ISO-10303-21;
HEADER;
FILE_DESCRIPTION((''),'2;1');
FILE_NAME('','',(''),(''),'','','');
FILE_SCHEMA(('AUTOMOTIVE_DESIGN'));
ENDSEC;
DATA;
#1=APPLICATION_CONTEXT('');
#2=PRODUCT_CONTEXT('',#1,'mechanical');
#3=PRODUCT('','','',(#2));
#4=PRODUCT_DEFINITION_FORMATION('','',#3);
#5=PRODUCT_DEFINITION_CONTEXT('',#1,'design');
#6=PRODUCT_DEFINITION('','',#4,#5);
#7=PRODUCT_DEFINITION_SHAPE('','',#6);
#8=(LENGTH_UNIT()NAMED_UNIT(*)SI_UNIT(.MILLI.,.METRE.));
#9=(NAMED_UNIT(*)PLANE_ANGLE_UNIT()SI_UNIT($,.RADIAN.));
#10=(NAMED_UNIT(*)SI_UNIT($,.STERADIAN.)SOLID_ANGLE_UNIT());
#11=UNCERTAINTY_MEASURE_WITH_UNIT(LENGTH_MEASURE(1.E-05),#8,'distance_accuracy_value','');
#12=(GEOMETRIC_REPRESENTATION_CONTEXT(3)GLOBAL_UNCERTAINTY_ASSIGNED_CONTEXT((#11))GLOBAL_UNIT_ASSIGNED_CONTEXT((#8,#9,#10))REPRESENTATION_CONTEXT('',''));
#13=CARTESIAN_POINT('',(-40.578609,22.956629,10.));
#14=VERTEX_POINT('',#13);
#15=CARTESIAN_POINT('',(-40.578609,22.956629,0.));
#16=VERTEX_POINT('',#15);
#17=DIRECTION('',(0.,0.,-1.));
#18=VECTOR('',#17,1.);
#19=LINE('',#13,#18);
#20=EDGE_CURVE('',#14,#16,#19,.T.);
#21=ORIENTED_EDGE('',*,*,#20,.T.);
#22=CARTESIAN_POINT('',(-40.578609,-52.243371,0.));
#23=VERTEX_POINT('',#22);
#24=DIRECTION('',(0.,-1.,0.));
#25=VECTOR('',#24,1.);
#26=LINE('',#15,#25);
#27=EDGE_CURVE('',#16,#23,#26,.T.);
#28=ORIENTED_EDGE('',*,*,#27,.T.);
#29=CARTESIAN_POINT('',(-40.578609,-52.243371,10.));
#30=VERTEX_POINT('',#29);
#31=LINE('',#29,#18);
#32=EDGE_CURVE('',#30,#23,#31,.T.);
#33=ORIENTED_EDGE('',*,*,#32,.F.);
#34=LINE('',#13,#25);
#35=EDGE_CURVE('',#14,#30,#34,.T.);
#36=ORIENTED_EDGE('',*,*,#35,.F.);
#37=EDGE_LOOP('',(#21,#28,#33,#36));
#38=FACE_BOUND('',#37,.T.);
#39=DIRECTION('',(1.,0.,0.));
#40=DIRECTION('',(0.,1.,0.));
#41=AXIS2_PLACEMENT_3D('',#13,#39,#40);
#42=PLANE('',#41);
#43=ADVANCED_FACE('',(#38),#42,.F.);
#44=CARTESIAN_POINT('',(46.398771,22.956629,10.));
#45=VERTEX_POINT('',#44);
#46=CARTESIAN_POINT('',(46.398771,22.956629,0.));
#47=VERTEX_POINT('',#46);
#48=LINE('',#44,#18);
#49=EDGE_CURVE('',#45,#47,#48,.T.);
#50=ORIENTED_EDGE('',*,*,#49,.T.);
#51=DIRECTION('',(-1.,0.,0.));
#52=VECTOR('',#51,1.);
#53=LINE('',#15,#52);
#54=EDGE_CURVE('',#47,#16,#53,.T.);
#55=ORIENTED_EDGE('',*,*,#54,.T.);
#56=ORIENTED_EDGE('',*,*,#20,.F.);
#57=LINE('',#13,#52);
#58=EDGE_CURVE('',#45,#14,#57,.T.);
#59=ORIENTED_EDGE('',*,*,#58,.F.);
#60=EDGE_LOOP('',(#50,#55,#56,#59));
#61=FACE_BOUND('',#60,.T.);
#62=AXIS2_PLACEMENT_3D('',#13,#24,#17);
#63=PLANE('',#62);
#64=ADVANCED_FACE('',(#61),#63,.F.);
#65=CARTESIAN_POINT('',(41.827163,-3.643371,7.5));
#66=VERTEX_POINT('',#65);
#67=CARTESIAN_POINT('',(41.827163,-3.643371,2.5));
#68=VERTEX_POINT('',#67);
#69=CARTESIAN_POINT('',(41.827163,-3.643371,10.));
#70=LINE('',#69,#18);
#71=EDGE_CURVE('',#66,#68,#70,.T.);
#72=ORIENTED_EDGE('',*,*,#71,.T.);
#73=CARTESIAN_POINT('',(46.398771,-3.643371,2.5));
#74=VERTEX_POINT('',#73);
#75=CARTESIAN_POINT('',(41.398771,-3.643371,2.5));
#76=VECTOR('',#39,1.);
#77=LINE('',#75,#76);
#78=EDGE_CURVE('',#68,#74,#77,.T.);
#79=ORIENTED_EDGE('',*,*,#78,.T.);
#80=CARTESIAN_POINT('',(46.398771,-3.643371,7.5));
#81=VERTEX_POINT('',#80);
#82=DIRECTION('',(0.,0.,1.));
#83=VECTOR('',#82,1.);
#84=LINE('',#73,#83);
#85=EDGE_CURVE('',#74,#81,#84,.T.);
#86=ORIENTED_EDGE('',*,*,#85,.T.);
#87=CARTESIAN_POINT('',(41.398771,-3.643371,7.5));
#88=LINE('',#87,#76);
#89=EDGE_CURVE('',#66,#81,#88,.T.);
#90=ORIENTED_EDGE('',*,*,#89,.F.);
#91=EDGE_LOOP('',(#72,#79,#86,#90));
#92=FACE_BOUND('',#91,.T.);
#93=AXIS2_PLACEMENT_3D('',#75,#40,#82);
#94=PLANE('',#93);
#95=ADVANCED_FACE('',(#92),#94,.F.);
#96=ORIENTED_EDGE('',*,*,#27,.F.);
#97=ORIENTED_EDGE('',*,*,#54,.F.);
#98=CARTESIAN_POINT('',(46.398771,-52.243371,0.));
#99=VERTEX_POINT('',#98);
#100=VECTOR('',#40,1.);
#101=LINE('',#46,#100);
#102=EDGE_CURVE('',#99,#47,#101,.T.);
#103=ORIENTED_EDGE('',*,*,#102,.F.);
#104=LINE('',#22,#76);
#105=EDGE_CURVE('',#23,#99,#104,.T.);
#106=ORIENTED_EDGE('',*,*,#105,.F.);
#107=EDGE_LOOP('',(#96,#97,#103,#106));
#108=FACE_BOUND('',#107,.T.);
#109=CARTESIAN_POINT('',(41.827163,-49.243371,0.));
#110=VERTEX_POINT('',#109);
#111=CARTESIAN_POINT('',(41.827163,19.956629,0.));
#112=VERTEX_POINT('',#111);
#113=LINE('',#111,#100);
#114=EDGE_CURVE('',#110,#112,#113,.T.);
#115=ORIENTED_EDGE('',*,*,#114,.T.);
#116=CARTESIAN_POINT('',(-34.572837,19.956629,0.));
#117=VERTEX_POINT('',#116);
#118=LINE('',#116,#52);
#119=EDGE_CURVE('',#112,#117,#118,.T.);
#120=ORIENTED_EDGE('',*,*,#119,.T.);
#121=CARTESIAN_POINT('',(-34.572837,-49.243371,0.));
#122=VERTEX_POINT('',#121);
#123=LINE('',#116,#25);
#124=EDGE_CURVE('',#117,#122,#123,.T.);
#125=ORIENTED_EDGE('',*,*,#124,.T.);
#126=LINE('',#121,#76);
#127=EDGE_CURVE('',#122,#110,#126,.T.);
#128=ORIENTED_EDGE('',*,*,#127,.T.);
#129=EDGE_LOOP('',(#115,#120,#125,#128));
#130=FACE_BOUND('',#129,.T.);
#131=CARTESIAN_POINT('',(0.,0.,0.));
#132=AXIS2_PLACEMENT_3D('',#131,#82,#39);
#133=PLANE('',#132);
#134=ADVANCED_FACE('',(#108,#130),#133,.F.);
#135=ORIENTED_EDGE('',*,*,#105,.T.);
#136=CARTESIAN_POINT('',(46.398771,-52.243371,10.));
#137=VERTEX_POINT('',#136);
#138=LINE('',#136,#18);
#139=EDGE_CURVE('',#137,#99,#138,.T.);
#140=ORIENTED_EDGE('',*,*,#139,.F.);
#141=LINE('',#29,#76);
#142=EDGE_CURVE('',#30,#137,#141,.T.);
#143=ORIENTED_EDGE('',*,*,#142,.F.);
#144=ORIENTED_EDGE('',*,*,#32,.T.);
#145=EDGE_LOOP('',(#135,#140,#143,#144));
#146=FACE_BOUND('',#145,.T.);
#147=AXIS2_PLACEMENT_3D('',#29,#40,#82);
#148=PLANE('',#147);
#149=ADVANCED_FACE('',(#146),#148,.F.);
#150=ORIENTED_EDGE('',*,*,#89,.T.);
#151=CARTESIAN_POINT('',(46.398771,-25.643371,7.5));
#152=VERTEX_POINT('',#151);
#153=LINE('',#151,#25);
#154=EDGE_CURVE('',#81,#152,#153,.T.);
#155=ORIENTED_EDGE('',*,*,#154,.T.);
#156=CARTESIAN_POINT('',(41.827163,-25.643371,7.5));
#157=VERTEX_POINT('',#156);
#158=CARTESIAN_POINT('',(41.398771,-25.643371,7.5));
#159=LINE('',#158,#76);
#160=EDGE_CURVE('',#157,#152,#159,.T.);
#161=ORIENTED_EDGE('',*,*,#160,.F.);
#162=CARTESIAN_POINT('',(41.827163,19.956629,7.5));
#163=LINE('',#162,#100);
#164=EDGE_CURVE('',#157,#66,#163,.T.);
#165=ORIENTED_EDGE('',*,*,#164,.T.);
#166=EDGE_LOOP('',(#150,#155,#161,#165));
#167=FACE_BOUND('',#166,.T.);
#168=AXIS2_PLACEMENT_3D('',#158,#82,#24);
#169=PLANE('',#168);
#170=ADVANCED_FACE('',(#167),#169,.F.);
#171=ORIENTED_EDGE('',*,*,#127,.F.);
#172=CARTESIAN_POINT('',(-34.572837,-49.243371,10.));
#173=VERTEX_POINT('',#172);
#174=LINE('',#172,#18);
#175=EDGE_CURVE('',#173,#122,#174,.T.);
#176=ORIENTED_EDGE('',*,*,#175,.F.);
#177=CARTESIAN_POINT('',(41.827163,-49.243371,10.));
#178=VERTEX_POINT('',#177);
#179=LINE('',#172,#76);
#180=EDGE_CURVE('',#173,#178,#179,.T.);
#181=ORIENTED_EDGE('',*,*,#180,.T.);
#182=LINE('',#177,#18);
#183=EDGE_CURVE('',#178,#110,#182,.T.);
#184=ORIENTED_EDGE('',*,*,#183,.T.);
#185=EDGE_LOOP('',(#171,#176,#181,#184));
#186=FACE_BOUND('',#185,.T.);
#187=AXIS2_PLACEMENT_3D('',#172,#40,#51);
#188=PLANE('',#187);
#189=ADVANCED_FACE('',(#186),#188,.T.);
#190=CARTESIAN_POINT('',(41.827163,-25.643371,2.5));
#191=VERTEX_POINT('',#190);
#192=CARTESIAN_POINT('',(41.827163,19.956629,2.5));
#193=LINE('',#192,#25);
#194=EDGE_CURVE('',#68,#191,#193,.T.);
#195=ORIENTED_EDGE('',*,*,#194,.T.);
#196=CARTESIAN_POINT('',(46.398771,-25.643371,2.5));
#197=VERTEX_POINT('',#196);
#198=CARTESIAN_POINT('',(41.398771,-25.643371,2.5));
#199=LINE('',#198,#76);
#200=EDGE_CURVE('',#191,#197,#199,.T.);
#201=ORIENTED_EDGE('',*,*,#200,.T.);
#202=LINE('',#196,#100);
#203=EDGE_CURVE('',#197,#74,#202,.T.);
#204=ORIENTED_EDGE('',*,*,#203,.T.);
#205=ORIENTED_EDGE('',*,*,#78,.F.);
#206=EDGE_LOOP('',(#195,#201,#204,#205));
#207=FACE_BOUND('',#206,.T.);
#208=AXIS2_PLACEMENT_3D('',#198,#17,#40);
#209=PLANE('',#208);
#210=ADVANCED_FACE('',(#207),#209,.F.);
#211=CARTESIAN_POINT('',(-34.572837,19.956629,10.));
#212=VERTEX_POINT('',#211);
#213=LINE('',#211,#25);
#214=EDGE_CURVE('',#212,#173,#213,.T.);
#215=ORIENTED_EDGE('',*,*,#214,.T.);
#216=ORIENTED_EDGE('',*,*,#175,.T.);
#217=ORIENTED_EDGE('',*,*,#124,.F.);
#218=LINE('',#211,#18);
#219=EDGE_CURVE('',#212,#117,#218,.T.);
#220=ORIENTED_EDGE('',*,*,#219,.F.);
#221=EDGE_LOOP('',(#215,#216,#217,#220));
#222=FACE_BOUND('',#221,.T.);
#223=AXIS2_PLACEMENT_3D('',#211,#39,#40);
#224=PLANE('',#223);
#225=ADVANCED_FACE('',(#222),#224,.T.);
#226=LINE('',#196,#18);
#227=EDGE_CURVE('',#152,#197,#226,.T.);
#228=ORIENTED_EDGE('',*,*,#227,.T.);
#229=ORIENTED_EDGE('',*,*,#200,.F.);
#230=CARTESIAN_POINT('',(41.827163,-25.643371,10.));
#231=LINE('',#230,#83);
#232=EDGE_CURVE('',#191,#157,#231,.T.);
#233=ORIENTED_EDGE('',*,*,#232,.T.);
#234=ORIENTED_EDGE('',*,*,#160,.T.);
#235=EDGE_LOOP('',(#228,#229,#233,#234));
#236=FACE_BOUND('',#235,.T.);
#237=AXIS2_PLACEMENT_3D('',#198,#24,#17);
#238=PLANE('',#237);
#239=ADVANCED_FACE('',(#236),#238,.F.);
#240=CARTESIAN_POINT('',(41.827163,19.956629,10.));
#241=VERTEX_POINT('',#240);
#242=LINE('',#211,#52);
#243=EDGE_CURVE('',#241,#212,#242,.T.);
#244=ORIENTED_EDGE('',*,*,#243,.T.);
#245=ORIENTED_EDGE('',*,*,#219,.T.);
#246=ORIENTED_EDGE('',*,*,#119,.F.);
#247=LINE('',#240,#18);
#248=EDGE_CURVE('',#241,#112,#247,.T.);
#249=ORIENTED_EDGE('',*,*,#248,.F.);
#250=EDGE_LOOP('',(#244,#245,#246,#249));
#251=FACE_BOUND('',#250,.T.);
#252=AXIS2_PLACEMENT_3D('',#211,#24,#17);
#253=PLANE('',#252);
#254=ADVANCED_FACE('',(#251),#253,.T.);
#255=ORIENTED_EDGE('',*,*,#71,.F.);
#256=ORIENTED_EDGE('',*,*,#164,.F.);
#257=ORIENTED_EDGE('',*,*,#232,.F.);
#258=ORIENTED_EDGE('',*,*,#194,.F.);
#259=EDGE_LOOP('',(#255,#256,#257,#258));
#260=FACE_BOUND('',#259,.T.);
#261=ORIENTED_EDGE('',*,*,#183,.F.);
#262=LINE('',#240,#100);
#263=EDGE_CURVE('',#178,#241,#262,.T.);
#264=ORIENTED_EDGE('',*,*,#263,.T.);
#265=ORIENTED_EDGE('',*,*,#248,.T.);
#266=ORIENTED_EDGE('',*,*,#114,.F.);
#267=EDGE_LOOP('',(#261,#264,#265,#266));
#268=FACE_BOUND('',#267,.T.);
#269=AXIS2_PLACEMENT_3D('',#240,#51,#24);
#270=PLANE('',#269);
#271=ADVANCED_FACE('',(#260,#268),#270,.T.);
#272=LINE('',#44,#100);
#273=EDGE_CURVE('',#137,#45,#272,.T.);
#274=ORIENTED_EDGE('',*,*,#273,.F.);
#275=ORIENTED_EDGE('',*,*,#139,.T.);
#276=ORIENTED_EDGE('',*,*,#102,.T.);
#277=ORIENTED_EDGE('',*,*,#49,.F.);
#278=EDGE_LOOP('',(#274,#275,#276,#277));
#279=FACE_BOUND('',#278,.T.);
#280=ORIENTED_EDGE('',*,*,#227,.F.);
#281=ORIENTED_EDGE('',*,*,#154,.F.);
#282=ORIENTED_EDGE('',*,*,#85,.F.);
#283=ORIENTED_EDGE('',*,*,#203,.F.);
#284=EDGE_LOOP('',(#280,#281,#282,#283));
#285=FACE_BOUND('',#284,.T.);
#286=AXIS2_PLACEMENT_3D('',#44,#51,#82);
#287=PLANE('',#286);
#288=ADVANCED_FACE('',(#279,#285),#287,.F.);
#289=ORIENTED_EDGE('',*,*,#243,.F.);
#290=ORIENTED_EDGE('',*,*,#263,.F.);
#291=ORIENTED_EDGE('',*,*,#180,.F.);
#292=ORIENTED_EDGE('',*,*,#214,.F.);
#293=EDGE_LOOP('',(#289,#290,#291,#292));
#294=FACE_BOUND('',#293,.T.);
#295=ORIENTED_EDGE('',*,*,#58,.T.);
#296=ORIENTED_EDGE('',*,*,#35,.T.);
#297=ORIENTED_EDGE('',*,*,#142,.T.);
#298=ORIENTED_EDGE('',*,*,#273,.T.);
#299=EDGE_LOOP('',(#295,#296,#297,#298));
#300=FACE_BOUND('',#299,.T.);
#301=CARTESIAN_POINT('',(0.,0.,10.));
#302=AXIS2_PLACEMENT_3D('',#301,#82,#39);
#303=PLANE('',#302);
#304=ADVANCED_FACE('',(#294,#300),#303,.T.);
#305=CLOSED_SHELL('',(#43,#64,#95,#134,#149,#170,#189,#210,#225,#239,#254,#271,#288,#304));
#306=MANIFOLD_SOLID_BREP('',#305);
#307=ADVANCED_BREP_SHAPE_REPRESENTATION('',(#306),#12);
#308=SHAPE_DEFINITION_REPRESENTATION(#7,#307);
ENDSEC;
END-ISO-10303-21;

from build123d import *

# Parameters (mm, degrees)
SKETCH2_W           = 86.977379584
SKETCH2_H           = 75.2
SKETCH2_W_2         = 76.4
SKETCH2_H_2         = 69.2
BOSS_EXTRUDE2_DEPTH = 10
SKETCH3_W           = 5
SKETCH3_H           = 22
CUT_EXTRUDE1_DEPTH  = 5


with BuildPart() as part:
    # Sketch2 → Boss-Extrude2 (new body)
    with BuildSketch(Plane.XY):
        with Locations((2.910081101, -14.643371259)):
            Rectangle(SKETCH2_W, SKETCH2_H)
        with Locations((3.627163462, -14.643371259)):
            Rectangle(SKETCH2_W_2, SKETCH2_H_2, mode=Mode.SUBTRACT)
    extrude(amount=BOSS_EXTRUDE2_DEPTH)

    # Sketch3 → Cut-Extrude1 (cut)
    with BuildSketch(Plane(origin=(46.398770893, 0, 0), x_dir=(0, 0, -1), z_dir=(1, 0, 0))):
        with Locations((-5, -14.643371259)):
            Rectangle(SKETCH3_W, SKETCH3_H)
    extrude(amount=-CUT_EXTRUDE1_DEPTH, mode=Mode.SUBTRACT)


solid = part.part
